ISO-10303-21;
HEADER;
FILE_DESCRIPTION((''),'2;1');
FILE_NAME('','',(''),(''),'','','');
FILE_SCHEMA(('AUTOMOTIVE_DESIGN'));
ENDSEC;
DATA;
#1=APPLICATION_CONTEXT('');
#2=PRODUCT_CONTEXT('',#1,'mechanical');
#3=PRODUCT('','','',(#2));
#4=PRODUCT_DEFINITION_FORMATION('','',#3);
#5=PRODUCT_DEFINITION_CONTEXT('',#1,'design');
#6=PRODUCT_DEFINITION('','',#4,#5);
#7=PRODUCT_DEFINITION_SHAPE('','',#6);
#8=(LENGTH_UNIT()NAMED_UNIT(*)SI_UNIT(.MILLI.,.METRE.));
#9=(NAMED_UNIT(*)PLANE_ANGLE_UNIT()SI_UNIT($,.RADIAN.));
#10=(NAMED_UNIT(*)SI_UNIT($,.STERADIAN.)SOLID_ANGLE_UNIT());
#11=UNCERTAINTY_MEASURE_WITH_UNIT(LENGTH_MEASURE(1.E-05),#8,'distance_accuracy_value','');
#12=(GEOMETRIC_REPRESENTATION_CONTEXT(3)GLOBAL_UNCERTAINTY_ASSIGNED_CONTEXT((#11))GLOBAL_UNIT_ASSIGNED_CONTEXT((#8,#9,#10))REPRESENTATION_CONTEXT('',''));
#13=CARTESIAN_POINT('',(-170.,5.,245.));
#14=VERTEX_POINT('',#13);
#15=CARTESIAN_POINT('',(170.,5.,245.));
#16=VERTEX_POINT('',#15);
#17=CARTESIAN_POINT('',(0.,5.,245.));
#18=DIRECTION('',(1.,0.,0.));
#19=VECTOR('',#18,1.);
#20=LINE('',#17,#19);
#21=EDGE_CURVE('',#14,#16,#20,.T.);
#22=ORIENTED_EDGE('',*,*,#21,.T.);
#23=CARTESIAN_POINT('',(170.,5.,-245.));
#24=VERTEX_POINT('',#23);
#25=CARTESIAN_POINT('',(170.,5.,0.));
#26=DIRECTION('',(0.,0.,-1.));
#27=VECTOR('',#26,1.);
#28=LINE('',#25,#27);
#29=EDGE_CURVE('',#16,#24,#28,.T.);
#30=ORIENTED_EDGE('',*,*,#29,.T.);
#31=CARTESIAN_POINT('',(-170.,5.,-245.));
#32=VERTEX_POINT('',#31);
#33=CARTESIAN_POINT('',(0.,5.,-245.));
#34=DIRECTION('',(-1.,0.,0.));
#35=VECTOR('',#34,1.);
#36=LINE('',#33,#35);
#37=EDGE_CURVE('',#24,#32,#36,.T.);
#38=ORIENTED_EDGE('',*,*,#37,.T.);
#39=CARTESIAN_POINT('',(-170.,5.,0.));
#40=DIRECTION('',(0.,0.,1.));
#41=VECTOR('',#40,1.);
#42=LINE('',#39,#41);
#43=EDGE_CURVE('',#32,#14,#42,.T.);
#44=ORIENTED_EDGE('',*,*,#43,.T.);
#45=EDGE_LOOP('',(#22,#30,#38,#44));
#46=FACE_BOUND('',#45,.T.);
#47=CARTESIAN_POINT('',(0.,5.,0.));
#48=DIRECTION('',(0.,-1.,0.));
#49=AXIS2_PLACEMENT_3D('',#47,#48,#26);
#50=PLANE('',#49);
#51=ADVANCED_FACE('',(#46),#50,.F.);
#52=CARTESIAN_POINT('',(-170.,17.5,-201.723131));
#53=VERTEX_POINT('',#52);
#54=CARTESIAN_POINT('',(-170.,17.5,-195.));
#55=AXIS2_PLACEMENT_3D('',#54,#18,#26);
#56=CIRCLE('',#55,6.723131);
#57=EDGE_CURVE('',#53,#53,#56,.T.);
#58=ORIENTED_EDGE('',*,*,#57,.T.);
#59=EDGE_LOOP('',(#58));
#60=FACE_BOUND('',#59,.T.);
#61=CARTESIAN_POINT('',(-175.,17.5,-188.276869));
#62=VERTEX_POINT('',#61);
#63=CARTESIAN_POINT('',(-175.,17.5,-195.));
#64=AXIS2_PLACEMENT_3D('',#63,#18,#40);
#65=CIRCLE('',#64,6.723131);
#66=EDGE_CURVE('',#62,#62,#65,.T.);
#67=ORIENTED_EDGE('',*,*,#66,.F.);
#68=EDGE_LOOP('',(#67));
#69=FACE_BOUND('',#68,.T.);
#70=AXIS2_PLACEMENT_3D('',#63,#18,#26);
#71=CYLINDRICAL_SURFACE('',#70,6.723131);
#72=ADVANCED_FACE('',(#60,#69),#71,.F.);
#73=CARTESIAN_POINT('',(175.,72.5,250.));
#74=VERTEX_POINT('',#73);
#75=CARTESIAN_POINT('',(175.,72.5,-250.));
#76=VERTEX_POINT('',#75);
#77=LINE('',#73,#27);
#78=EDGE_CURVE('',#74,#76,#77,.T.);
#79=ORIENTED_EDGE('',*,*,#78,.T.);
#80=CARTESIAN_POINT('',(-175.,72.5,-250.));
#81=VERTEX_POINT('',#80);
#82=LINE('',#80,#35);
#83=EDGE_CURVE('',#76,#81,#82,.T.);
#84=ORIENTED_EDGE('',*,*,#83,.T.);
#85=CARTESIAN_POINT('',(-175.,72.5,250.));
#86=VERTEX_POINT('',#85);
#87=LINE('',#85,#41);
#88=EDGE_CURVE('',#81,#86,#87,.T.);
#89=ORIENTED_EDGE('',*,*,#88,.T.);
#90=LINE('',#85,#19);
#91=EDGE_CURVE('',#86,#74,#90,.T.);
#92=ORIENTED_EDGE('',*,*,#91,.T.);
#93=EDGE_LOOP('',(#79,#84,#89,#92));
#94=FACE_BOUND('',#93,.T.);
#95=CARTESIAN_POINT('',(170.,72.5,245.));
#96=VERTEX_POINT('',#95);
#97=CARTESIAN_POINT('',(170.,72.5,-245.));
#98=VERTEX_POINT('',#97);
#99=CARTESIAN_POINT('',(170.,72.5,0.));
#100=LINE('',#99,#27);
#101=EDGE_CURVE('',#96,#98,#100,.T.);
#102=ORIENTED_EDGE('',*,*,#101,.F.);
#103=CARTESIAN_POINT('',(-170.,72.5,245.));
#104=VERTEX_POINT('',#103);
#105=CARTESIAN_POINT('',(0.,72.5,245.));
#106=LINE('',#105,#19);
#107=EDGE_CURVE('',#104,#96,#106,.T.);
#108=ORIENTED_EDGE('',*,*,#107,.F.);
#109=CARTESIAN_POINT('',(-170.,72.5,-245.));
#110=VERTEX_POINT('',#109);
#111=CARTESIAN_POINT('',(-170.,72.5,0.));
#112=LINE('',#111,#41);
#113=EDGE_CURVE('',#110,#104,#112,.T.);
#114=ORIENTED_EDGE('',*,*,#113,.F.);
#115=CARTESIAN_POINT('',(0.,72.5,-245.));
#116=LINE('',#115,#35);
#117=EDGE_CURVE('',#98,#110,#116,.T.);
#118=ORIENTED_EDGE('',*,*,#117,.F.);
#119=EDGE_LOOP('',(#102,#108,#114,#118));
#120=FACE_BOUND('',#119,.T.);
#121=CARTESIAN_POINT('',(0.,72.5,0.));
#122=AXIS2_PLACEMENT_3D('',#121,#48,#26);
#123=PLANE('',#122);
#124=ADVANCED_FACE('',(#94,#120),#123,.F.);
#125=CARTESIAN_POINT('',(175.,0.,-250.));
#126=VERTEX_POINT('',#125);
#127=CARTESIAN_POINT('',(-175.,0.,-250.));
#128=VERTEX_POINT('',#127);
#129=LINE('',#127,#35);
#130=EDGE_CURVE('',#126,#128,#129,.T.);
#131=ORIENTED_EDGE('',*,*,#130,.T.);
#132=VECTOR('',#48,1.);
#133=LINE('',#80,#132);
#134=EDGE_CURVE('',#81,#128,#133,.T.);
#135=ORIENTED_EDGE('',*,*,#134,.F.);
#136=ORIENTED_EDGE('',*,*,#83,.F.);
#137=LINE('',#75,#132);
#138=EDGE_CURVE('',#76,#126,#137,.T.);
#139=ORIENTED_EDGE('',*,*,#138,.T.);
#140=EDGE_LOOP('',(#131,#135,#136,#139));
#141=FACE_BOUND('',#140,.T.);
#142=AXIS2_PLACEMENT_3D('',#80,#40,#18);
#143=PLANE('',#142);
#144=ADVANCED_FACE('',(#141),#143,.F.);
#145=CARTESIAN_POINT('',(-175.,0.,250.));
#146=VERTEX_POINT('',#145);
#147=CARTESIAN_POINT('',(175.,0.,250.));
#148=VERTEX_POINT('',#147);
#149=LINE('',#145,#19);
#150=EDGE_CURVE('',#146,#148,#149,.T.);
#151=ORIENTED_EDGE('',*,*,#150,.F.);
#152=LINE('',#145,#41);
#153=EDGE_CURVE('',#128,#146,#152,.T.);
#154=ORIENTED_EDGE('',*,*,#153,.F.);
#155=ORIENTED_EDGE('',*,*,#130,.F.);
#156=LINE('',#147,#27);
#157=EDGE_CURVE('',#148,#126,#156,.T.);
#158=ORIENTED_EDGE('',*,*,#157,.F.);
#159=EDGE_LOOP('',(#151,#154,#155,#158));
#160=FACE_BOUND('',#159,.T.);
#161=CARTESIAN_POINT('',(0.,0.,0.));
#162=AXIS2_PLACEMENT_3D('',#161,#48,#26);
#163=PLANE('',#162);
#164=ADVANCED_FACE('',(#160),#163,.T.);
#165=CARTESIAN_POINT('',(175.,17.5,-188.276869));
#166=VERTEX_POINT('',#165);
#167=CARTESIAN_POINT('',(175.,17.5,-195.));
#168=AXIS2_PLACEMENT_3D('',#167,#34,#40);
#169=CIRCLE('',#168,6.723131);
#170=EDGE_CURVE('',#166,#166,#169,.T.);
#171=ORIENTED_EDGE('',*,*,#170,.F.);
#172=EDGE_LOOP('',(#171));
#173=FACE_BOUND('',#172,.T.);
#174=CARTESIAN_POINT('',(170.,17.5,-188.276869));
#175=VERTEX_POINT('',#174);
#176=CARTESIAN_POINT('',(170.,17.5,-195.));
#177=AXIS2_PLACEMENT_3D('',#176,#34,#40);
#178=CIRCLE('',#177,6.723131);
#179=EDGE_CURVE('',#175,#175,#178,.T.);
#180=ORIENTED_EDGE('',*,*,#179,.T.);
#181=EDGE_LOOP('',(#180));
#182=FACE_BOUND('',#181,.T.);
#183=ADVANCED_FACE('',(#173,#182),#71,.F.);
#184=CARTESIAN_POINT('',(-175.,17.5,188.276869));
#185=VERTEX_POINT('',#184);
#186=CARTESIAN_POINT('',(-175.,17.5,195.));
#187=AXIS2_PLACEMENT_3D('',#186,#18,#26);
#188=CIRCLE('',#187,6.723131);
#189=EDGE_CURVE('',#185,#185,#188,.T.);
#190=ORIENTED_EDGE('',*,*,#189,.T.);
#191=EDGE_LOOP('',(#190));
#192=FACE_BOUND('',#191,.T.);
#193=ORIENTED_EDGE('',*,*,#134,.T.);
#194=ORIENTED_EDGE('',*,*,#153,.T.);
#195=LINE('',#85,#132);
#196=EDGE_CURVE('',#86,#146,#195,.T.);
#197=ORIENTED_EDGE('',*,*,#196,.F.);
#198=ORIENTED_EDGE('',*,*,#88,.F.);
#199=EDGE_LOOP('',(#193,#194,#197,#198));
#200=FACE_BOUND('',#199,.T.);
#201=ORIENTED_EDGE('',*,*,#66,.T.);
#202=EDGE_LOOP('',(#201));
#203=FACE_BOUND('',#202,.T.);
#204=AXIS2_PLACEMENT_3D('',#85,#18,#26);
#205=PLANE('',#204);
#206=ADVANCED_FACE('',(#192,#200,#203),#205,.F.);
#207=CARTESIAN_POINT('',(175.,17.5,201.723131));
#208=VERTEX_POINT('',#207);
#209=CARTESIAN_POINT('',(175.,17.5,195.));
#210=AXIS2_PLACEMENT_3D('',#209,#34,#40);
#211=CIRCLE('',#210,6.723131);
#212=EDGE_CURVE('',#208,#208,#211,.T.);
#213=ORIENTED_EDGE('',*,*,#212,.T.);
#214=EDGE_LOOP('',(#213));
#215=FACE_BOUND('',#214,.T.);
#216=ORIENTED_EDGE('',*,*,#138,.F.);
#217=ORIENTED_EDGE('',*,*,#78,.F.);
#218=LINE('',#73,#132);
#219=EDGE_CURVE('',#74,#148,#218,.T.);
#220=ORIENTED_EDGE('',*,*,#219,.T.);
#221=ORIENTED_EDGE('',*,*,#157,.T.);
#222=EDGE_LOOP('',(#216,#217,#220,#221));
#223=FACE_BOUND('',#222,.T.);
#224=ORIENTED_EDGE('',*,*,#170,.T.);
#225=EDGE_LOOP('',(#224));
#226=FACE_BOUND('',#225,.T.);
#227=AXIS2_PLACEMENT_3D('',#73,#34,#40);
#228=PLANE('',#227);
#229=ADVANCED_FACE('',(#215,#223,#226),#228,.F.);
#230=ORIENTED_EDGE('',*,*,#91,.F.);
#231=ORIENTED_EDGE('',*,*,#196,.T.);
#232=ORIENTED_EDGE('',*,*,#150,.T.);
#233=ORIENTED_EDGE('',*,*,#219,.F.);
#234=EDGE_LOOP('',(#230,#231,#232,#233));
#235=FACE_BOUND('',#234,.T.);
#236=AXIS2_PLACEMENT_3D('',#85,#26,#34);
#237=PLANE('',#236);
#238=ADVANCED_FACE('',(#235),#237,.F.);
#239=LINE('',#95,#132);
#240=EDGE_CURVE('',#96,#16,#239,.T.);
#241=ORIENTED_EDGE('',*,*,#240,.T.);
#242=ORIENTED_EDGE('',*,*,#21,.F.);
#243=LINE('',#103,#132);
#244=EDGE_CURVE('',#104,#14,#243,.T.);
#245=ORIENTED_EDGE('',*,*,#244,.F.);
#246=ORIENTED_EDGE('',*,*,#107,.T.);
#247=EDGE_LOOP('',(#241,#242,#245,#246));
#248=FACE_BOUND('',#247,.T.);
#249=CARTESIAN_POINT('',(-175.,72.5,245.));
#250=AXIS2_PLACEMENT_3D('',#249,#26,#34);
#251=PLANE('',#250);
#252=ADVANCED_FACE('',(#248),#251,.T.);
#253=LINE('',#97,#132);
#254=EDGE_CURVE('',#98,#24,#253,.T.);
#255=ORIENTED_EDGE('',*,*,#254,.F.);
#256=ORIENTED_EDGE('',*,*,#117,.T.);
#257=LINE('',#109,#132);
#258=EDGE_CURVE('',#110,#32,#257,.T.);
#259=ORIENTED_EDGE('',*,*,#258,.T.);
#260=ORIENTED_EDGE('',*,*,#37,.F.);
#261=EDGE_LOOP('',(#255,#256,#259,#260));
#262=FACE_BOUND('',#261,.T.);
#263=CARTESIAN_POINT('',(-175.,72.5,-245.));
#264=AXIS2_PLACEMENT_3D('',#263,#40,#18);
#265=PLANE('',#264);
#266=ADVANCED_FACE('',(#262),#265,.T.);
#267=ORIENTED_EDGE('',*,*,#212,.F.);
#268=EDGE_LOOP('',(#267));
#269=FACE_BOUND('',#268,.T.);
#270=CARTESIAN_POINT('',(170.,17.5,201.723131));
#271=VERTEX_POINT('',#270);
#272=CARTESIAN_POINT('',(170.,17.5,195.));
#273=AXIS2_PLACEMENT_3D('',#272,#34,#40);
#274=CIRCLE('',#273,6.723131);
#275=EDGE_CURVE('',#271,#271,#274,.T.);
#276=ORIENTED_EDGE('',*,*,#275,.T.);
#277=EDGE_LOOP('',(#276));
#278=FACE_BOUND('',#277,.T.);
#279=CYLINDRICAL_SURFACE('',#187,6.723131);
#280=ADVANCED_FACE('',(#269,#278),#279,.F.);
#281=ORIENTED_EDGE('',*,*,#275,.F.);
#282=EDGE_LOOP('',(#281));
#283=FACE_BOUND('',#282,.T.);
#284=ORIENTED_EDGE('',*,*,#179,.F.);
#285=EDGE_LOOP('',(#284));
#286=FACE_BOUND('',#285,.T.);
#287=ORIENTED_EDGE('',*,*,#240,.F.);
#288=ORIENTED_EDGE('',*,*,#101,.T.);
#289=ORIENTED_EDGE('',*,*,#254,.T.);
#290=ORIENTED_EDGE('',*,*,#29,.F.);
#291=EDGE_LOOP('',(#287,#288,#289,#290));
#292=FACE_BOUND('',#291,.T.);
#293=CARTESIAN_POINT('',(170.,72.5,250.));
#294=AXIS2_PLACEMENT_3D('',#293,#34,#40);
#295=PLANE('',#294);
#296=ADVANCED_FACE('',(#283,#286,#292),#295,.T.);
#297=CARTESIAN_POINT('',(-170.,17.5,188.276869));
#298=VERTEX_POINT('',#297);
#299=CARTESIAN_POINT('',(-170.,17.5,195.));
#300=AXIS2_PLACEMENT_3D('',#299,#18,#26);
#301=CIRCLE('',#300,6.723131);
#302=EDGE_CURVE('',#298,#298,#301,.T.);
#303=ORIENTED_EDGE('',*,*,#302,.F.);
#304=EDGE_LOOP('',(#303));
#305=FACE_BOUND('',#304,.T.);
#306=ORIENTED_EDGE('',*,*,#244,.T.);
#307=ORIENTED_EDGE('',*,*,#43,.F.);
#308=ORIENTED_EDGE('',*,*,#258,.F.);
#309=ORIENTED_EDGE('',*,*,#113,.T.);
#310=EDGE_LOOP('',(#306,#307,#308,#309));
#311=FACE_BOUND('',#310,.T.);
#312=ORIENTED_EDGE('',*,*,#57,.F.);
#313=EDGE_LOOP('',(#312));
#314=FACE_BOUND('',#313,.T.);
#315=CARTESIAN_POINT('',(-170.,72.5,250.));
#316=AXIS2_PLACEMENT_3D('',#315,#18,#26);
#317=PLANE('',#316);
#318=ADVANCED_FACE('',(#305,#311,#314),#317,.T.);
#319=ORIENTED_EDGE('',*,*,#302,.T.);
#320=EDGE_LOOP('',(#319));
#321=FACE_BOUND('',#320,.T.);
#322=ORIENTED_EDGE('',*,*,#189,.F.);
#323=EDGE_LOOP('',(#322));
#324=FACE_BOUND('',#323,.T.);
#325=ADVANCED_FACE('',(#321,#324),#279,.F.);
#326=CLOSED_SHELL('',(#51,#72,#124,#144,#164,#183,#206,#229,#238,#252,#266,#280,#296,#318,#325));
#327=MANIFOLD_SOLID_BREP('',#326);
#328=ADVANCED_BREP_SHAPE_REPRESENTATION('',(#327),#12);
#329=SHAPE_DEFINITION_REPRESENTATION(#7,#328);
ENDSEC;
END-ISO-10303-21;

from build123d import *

# Parameters (mm, degrees)
SKETCH1_W               = 350
SKETCH1_H               = 500
BOSS_EXTRUDE1_DEPTH     = 72.5
SHELL1_T                = -5
CUT_EXTRUDE1_DEPTH      = 437.183734222
CUT_EXTRUDE1_DEPTH_BACK = 437.183734222
SKETCH2_R               = 6.723131081


with BuildPart() as part:
    # Sketch1 → Boss-Extrude1 (new body)
    with BuildSketch(Plane(origin=(0, 0, 0), x_dir=(1, 0, 0), z_dir=(0, 1, 0))):
        Rectangle(SKETCH1_W, SKETCH1_H)
    extrude(amount=BOSS_EXTRUDE1_DEPTH)

    # Shell1
    shell1_openings = [part.faces().sort_by_distance(p)[0] for p in [
        (0, 72.5, 0),
    ]]
    offset(amount=SHELL1_T, openings=shell1_openings, kind=Kind.INTERSECTION)

    # Sketch2 → Cut-Extrude1 (cut, two sides: drawn at the far end of the back side and taken through both)
    with BuildSketch(Plane(origin=(175, 0, 0), x_dir=(0, 0, -1), z_dir=(1, 0, 0)).offset(-CUT_EXTRUDE1_DEPTH_BACK)):
        with Locations((-195, 17.5)):
            Circle(SKETCH2_R)
        with Locations((195, 17.5)):
            Circle(SKETCH2_R)
    extrude(amount=CUT_EXTRUDE1_DEPTH + CUT_EXTRUDE1_DEPTH_BACK, mode=Mode.SUBTRACT)


solid = part.part
